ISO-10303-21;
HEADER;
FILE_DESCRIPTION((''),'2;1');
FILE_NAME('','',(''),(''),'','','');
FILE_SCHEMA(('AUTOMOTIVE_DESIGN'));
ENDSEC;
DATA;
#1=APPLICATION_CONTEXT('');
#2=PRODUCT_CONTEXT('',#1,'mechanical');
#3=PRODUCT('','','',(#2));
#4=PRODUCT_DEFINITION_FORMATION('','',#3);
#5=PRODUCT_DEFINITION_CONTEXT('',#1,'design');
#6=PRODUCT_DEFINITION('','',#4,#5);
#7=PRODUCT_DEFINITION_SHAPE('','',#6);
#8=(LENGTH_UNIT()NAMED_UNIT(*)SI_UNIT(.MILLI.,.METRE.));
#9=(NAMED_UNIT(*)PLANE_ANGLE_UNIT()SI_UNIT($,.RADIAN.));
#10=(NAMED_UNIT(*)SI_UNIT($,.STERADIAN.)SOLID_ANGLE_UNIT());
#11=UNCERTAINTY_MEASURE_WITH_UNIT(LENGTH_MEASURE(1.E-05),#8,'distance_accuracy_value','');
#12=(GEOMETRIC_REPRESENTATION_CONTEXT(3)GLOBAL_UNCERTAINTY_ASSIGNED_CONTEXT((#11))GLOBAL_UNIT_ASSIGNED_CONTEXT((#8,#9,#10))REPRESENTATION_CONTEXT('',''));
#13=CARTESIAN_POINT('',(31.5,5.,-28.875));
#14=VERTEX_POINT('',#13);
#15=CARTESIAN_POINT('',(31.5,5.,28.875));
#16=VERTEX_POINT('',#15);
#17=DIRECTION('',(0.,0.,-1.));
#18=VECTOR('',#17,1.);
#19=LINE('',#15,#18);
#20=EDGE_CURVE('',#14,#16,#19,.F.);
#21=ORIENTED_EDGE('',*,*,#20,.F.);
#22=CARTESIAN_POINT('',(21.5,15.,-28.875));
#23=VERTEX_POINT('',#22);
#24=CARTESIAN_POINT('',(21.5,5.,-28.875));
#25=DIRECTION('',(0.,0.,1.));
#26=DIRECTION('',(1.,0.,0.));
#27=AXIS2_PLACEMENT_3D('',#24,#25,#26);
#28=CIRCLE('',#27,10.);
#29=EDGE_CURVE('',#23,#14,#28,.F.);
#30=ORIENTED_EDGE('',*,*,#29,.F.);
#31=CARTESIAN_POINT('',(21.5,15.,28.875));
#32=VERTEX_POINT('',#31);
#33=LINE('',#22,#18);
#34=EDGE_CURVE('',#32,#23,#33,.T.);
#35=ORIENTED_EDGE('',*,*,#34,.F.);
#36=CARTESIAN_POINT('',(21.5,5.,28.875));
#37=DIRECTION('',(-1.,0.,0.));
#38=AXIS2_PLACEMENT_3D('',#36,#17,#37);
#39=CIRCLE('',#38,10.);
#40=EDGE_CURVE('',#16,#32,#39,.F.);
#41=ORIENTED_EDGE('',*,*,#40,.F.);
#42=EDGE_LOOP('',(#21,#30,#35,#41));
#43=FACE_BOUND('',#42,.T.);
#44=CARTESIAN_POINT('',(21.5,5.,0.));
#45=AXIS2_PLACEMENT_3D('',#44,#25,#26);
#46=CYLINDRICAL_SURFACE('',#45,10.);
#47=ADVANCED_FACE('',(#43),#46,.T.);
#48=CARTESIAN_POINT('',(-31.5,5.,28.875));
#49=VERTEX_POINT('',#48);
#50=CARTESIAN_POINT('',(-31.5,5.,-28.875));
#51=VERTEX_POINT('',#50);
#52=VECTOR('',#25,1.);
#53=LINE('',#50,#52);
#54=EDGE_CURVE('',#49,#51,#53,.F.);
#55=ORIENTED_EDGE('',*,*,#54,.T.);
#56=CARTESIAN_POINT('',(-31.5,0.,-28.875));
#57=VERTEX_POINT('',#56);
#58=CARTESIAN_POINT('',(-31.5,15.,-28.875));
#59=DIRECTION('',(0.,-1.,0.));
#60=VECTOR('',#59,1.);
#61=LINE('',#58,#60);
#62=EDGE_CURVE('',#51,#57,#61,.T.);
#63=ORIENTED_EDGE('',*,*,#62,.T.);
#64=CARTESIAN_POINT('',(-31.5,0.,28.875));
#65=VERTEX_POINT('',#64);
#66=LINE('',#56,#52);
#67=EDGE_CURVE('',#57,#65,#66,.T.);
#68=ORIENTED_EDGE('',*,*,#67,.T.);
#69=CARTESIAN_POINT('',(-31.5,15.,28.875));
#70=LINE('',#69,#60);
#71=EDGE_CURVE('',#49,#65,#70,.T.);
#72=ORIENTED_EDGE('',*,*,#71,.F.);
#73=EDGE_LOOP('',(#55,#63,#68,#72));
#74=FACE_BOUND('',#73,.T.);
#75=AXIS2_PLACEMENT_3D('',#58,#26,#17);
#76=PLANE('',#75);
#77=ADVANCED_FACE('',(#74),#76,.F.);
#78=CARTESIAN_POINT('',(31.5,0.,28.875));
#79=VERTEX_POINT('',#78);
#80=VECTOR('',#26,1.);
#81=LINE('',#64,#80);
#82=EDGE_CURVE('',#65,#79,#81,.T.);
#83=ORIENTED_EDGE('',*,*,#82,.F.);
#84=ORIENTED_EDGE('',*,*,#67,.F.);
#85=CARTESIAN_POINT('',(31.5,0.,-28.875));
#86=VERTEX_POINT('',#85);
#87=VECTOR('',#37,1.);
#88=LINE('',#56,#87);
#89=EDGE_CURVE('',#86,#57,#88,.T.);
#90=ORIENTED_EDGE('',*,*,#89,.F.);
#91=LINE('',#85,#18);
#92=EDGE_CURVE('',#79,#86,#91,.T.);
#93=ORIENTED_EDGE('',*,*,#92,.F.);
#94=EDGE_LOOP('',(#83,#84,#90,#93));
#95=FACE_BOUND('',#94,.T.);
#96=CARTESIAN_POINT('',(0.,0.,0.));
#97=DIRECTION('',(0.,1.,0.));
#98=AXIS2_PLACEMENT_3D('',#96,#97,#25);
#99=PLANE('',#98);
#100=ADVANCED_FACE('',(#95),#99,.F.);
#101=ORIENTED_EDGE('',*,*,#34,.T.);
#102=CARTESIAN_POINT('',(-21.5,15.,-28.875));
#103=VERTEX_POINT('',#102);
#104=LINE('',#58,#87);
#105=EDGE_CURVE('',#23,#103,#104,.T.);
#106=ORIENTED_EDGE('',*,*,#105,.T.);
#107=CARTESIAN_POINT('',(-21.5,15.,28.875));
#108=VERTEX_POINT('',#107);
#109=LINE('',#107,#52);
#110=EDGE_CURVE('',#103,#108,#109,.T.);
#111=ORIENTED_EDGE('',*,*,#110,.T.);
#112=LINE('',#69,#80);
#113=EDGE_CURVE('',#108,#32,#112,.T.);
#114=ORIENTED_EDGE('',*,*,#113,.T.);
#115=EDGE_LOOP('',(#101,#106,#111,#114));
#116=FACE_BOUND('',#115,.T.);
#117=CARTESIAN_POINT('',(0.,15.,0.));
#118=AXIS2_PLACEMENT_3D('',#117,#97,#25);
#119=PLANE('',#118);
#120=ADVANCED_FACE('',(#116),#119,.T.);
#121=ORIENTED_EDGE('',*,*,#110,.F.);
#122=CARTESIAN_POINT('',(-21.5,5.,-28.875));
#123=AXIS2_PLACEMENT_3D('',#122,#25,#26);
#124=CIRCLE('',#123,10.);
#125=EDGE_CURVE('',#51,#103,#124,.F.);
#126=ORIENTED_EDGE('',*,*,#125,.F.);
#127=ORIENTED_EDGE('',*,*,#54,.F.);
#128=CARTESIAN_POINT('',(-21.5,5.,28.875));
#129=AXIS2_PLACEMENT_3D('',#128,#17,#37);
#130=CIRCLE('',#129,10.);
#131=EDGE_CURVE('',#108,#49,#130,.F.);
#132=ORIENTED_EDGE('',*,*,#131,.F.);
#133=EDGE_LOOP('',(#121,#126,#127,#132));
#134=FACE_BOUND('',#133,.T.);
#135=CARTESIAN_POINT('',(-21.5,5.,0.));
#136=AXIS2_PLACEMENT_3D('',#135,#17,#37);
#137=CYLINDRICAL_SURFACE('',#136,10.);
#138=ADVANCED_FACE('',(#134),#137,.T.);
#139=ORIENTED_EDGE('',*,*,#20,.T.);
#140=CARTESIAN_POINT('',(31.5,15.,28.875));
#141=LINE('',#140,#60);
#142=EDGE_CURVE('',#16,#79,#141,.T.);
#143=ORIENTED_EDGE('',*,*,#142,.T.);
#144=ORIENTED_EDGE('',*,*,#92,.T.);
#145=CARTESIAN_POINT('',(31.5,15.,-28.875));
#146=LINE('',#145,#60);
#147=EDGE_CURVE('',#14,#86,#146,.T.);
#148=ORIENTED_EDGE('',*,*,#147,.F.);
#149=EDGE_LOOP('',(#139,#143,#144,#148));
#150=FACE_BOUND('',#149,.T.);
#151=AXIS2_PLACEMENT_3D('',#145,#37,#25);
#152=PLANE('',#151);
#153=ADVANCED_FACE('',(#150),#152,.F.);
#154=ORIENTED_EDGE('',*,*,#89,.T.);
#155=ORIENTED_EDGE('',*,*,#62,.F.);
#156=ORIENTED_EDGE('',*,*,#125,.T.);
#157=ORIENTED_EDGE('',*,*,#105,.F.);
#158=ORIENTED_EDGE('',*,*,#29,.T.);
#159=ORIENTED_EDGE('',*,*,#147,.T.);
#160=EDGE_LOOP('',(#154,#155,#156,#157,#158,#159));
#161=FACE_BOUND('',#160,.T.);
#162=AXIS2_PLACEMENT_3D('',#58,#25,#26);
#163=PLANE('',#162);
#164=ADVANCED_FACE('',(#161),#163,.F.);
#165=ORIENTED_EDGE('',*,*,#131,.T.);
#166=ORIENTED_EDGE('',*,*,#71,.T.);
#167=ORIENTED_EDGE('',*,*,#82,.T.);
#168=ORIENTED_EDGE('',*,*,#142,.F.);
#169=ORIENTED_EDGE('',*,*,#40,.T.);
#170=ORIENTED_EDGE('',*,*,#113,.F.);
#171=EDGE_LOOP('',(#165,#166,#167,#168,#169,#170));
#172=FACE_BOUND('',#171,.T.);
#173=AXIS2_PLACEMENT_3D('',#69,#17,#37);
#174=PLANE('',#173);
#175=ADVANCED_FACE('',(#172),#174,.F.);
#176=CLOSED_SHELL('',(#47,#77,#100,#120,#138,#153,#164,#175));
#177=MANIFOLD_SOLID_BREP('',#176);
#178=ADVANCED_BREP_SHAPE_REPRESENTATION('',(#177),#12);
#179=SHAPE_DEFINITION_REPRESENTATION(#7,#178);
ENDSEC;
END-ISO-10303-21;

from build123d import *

# Parameters (mm, degrees)
SKETCH1_W           = 63
SKETCH1_H           = 57.75
BOSS_EXTRUDE1_DEPTH = 15
FILLET1_R           = 10


with BuildPart() as part:
    # Sketch1 → Boss-Extrude1 (new body)
    with BuildSketch(Plane(origin=(0, 0, 0), x_dir=(1, 0, 0), z_dir=(0, 1, 0))):
        Rectangle(SKETCH1_W, SKETCH1_H)
    extrude(amount=BOSS_EXTRUDE1_DEPTH)

    # Fillet1
    fillet1_edges = [part.edges().sort_by_distance(p)[0] for p in [
        (-31.5, 15, 0),
        (31.5, 15, 0),
    ]]
    fillet(fillet1_edges, radius=FILLET1_R)


solid = part.part
